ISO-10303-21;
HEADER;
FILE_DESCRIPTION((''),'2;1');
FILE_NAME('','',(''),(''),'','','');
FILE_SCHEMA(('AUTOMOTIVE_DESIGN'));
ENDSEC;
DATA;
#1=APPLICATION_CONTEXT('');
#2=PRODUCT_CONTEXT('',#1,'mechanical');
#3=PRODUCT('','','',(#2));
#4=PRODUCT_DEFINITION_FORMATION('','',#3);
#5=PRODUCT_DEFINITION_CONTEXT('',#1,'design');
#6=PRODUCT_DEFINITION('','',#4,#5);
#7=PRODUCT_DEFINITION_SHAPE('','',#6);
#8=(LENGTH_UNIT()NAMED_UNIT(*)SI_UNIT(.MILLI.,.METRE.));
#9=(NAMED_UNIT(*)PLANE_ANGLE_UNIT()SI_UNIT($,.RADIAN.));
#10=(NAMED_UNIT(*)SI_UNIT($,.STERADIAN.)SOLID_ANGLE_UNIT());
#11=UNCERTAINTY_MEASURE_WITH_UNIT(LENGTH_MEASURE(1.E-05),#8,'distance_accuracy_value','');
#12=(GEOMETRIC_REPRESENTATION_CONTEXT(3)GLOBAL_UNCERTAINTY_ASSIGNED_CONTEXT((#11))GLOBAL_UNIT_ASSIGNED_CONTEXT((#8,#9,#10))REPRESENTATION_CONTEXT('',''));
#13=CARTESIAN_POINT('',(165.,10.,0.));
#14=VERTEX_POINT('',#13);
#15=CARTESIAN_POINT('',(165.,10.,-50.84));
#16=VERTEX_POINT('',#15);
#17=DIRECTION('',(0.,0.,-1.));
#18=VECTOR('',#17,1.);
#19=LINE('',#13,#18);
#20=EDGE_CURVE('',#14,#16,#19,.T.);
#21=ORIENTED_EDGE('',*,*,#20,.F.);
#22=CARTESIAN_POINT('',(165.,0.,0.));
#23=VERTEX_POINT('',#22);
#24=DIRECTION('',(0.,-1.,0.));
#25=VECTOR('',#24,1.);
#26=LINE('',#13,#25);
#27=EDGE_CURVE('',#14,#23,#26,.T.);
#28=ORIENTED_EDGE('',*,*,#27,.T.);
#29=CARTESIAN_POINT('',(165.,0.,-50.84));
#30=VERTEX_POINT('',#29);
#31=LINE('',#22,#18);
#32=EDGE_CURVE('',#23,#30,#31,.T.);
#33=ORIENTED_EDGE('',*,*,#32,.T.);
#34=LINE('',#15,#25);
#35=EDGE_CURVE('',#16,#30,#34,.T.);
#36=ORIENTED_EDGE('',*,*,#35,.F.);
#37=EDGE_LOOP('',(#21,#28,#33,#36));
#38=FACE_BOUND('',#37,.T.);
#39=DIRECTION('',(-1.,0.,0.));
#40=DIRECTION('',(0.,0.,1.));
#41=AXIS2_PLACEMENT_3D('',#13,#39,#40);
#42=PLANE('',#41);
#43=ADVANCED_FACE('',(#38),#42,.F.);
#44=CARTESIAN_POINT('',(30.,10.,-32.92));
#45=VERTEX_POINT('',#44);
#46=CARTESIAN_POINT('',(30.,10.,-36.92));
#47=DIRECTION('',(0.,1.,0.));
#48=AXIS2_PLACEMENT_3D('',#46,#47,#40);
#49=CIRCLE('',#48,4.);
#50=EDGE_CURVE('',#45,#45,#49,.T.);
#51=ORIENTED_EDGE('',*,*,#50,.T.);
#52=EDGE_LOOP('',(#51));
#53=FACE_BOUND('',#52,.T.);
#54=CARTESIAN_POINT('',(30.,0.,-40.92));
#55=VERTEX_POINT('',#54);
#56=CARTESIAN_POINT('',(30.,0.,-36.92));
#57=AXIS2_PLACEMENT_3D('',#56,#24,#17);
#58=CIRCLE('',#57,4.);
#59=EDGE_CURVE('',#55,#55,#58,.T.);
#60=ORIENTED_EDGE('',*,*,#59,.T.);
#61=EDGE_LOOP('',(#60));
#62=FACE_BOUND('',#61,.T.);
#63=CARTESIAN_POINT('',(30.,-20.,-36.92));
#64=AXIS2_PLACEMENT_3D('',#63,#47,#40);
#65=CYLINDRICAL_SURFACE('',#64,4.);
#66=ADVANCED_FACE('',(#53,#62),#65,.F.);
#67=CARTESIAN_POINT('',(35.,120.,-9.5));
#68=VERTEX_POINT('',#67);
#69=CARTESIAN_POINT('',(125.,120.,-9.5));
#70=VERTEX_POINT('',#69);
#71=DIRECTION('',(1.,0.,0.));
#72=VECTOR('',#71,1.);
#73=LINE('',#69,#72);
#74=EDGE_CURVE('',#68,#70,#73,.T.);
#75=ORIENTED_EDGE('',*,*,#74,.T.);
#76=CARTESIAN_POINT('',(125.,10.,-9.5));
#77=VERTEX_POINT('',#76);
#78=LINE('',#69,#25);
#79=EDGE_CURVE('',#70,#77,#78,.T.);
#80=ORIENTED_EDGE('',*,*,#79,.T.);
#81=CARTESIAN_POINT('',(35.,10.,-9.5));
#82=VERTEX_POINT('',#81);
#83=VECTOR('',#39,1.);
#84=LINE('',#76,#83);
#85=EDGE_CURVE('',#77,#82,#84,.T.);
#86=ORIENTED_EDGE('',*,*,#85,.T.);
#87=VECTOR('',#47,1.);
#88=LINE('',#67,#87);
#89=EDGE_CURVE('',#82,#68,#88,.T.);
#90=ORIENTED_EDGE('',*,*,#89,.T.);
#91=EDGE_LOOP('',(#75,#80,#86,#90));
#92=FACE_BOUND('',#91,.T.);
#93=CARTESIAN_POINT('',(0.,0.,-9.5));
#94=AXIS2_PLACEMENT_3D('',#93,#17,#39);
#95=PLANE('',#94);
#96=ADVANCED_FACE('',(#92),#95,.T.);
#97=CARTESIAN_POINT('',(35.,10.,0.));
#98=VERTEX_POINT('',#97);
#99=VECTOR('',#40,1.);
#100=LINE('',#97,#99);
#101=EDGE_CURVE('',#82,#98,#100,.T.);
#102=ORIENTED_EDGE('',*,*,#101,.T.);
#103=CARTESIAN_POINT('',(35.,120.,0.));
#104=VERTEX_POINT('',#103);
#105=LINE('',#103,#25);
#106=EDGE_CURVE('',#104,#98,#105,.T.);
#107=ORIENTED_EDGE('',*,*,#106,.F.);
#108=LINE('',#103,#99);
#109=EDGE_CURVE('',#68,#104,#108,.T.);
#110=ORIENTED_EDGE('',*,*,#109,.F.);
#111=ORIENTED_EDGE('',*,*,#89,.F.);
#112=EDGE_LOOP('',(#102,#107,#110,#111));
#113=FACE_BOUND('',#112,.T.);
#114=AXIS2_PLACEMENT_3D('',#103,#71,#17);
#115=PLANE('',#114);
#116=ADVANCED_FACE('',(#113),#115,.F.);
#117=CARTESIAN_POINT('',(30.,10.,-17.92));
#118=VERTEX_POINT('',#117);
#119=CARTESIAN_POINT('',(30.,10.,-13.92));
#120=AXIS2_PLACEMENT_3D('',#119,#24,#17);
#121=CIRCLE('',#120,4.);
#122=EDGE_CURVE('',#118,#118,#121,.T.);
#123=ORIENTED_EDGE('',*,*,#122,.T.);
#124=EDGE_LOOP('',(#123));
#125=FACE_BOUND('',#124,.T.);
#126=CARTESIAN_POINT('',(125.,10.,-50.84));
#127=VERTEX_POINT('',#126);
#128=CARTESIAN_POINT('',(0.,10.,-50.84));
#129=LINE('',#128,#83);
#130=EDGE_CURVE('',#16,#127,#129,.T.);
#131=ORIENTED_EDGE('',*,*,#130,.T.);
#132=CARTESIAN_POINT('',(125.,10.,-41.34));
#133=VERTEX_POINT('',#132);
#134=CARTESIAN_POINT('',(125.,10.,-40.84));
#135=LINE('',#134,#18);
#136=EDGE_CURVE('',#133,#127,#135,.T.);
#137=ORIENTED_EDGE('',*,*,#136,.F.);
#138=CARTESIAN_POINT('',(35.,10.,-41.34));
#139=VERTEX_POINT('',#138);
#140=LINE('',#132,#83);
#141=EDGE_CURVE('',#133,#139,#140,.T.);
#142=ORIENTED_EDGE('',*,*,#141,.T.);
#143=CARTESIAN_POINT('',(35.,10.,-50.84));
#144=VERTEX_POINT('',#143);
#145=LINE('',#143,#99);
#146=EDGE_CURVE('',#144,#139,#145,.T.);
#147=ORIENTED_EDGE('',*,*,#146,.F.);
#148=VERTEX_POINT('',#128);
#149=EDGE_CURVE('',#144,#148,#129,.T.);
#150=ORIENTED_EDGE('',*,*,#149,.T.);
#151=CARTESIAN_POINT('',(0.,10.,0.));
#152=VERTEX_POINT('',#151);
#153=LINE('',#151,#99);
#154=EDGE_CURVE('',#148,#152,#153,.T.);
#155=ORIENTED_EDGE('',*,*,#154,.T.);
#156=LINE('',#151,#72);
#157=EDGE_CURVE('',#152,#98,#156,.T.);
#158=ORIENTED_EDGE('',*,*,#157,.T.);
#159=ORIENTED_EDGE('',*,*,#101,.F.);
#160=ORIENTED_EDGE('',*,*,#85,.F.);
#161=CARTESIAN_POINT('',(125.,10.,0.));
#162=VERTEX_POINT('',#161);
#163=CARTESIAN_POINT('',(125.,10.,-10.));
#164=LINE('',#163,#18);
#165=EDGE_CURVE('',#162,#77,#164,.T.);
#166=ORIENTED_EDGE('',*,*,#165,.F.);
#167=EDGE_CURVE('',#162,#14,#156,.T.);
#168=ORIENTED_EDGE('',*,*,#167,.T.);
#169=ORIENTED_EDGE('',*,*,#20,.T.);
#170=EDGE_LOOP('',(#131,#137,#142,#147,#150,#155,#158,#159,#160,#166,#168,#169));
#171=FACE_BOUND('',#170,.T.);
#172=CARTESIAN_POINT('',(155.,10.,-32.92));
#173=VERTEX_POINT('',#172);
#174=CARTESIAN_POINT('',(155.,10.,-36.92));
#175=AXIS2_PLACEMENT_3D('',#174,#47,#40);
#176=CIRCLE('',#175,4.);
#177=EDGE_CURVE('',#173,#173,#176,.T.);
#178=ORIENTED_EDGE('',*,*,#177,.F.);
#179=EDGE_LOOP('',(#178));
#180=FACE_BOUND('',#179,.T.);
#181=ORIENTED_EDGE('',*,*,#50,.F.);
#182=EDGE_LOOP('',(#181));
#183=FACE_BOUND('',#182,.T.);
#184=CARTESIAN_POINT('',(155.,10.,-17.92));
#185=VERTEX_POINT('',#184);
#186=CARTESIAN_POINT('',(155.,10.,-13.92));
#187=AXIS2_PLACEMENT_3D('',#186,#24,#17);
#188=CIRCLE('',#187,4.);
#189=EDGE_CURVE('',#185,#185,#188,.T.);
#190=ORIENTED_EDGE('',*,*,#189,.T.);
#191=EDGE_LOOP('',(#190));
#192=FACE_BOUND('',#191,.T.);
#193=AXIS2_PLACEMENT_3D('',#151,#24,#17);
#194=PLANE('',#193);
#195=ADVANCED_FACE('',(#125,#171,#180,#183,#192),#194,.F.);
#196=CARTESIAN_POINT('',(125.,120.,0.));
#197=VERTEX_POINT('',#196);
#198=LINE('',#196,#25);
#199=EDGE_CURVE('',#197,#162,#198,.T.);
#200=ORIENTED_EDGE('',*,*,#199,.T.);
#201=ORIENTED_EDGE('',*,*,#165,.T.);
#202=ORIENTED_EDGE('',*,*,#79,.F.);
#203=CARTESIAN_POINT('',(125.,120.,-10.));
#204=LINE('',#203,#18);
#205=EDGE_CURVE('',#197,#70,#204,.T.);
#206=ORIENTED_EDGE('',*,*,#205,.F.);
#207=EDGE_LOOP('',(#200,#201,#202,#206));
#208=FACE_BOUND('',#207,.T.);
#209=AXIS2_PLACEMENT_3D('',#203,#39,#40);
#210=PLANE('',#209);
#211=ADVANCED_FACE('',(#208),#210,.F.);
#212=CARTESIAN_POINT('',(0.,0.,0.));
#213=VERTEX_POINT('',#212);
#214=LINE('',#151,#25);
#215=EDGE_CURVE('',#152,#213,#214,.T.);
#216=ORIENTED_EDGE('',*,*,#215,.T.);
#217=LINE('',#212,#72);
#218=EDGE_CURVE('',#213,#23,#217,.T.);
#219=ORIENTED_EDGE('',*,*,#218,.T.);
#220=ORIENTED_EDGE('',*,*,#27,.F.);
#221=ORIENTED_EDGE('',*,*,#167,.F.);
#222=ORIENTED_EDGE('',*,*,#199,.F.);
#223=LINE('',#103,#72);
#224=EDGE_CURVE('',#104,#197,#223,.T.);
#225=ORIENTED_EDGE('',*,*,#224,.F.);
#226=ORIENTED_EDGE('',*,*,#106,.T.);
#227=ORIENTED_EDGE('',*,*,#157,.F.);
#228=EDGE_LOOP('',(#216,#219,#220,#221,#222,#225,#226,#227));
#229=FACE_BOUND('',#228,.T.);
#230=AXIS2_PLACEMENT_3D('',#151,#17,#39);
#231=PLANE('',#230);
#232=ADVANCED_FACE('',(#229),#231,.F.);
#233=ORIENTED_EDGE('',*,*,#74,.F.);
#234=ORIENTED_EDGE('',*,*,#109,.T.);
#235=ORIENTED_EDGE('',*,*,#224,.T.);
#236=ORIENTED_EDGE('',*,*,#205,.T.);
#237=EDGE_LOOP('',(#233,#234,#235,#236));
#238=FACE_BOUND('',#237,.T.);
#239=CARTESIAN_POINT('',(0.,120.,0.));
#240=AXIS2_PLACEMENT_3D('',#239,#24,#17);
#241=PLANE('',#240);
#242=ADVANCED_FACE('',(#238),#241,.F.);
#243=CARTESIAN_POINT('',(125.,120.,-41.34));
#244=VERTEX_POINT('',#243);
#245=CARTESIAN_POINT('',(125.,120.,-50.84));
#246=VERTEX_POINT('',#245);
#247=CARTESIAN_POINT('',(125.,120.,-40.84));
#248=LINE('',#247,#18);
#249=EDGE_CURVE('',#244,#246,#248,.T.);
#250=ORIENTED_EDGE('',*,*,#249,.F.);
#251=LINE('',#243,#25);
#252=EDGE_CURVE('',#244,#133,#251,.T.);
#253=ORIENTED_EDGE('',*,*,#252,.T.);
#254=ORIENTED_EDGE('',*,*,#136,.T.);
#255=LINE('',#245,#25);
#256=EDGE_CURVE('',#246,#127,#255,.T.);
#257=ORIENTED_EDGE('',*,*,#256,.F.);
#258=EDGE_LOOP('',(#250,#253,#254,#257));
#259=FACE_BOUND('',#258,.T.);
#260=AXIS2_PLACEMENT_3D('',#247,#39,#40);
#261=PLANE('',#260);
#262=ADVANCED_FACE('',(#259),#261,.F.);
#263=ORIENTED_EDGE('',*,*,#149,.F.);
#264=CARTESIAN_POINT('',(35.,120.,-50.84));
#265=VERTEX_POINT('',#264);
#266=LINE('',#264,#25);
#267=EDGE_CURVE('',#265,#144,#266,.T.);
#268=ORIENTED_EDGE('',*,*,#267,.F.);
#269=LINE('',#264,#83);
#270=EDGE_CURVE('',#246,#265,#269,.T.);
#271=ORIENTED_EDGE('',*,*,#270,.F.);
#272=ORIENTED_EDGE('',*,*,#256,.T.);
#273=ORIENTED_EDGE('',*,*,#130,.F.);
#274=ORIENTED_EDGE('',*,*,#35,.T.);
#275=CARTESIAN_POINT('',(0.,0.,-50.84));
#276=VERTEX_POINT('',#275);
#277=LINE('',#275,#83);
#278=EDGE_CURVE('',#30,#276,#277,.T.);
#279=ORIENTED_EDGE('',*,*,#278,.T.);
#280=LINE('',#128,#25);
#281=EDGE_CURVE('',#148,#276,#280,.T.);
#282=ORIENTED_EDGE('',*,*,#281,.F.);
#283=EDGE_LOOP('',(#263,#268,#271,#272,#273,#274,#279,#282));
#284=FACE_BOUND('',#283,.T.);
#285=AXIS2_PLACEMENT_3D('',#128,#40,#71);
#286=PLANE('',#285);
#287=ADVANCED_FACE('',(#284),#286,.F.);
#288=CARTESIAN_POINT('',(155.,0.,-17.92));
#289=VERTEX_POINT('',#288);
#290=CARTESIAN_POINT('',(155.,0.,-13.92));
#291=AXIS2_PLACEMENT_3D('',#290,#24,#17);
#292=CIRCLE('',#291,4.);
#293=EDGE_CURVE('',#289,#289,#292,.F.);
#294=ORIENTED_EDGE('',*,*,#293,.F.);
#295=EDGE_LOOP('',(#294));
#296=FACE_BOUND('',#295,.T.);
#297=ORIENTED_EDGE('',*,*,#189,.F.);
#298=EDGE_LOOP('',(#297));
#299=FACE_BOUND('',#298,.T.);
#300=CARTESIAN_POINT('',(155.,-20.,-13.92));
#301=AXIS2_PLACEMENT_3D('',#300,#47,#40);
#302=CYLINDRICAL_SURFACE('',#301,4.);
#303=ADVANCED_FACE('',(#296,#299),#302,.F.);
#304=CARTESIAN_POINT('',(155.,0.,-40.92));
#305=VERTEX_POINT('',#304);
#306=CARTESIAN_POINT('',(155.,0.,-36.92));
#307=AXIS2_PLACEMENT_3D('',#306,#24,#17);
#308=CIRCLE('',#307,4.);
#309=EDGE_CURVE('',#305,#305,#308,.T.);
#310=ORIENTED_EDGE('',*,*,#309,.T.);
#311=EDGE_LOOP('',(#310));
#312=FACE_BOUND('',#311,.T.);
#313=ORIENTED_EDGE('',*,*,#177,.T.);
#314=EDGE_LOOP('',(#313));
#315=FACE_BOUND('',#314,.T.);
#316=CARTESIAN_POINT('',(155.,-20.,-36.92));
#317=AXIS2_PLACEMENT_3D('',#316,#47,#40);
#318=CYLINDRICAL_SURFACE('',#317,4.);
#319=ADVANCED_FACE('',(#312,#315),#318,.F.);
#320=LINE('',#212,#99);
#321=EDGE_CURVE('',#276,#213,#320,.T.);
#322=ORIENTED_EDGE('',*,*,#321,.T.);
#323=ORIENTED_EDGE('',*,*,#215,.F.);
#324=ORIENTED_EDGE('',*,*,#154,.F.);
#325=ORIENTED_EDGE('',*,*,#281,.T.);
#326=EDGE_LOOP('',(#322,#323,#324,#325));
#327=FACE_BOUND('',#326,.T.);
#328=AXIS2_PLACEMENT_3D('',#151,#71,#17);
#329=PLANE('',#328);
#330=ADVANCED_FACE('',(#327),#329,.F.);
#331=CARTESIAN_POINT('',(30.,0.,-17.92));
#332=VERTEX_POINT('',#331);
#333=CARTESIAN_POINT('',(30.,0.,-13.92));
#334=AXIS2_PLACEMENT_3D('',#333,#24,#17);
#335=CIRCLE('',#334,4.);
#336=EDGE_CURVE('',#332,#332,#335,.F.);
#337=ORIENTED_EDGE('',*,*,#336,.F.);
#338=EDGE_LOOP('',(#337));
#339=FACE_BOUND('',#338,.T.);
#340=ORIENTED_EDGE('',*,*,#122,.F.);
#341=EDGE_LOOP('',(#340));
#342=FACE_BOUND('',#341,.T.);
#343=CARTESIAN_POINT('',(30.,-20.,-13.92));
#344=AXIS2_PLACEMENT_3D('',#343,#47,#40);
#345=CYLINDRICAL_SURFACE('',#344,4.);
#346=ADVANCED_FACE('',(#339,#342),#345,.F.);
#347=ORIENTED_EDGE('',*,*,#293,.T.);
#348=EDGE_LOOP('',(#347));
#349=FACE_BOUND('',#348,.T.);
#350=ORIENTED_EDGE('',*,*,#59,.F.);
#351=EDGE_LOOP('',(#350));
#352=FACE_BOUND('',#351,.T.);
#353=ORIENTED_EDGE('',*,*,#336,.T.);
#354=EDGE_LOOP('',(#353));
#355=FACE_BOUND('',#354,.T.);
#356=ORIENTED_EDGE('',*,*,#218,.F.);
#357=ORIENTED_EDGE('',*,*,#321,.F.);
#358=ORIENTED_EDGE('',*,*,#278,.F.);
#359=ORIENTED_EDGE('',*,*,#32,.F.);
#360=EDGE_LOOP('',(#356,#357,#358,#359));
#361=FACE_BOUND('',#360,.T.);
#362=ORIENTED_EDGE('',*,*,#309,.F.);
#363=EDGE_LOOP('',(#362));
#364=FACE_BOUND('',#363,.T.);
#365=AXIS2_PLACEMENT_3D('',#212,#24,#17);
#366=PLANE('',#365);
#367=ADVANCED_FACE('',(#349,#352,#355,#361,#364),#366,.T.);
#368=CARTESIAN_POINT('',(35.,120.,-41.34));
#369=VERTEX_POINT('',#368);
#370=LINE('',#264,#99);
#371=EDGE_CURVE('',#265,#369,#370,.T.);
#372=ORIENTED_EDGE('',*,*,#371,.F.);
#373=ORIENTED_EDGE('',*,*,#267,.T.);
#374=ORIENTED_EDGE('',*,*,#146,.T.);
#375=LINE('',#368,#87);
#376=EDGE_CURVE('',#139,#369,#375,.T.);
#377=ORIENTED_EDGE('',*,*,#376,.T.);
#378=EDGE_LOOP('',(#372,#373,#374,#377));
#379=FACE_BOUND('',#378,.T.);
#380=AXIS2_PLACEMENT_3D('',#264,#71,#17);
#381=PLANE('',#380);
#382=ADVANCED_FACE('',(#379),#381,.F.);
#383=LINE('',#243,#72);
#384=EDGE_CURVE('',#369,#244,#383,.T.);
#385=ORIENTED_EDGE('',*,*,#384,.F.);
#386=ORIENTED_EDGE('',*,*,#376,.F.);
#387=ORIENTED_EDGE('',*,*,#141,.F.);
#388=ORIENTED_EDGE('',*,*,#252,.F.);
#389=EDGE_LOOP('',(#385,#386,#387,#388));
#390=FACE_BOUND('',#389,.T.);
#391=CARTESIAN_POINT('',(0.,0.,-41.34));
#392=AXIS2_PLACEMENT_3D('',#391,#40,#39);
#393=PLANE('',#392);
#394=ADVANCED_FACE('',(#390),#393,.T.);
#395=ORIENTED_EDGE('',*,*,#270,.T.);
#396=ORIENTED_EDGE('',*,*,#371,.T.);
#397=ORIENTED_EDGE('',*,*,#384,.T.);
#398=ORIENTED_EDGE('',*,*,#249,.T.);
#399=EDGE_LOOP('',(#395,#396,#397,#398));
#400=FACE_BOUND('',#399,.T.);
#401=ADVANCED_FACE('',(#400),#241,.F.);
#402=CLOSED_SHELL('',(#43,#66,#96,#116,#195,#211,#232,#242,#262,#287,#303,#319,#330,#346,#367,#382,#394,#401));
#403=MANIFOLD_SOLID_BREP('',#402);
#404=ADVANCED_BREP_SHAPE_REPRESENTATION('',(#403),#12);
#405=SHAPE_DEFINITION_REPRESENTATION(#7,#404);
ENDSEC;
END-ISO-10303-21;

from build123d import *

# Parameters (mm, degrees)
SKETCH1_W           = 165
SKETCH1_H           = 50.84
BOSS_EXTRUDE1_DEPTH = 10
SKETCH2_W           = 90
SKETCH2_H           = 10
BOSS_EXTRUDE2_DEPTH = 110
SKETCH3_R           = 4
CUT_EXTRUDE1_DEPTH  = 30
SKETCH4_W           = 90
SKETCH4_H           = 110
CUT_EXTRUDE2_DEPTH  = 0.5


with BuildPart() as part:
    # Sketch1 → Boss-Extrude1 (new body)
    with BuildSketch(Plane(origin=(0, 0, 0), x_dir=(1, 0, 0), z_dir=(0, 1, 0))):
        with Locations((82.5, 25.42)):
            Rectangle(SKETCH1_W, SKETCH1_H)
    extrude(amount=BOSS_EXTRUDE1_DEPTH)

    # Sketch2 → Boss-Extrude2 (add)
    with BuildSketch(Plane(origin=(0, 10, 0), x_dir=(1, 0, 0), z_dir=(0, 1, 0))):
        with Locations((80, 45.84)):
            Rectangle(SKETCH2_W, SKETCH2_H)
        with Locations((80, 5)):
            Rectangle(SKETCH2_W, SKETCH2_H)
    extrude(amount=BOSS_EXTRUDE2_DEPTH)

    # Sketch3 → Cut-Extrude1 (cut)
    with BuildSketch(Plane(origin=(0, 10, 0), x_dir=(1, 0, 0), z_dir=(0, 1, 0))):
        with Locations((30, 36.92)):
            Circle(SKETCH3_R)
        with Locations((155, 36.92)):
            Circle(SKETCH3_R)
    cut_extrude1 = extrude(amount=-CUT_EXTRUDE1_DEPTH, mode=Mode.SUBTRACT)

    # Mirror1: Cut-Extrude1 across plane
    add(cut_extrude1.mirror(Plane(origin=(0, 0, -25.42), x_dir=(1, 0, 0), z_dir=(0, 0, -1))), mode=Mode.SUBTRACT)

    # Sketch4 → Cut-Extrude2 (cut)
    with BuildSketch(Plane(origin=(0, 0, -10), x_dir=(-1, 0, 0), z_dir=(0, 0, -1))):
        with Locations((-80, 65)):
            Rectangle(SKETCH4_W, SKETCH4_H)
    cut_extrude2 = extrude(amount=-CUT_EXTRUDE2_DEPTH, mode=Mode.SUBTRACT)

    # Mirror2: Cut-Extrude2 across plane
    add(cut_extrude2.mirror(Plane(origin=(0, 0, -25.42), x_dir=(1, 0, 0), z_dir=(0, 0, -1))), mode=Mode.SUBTRACT)


solid = part.part
